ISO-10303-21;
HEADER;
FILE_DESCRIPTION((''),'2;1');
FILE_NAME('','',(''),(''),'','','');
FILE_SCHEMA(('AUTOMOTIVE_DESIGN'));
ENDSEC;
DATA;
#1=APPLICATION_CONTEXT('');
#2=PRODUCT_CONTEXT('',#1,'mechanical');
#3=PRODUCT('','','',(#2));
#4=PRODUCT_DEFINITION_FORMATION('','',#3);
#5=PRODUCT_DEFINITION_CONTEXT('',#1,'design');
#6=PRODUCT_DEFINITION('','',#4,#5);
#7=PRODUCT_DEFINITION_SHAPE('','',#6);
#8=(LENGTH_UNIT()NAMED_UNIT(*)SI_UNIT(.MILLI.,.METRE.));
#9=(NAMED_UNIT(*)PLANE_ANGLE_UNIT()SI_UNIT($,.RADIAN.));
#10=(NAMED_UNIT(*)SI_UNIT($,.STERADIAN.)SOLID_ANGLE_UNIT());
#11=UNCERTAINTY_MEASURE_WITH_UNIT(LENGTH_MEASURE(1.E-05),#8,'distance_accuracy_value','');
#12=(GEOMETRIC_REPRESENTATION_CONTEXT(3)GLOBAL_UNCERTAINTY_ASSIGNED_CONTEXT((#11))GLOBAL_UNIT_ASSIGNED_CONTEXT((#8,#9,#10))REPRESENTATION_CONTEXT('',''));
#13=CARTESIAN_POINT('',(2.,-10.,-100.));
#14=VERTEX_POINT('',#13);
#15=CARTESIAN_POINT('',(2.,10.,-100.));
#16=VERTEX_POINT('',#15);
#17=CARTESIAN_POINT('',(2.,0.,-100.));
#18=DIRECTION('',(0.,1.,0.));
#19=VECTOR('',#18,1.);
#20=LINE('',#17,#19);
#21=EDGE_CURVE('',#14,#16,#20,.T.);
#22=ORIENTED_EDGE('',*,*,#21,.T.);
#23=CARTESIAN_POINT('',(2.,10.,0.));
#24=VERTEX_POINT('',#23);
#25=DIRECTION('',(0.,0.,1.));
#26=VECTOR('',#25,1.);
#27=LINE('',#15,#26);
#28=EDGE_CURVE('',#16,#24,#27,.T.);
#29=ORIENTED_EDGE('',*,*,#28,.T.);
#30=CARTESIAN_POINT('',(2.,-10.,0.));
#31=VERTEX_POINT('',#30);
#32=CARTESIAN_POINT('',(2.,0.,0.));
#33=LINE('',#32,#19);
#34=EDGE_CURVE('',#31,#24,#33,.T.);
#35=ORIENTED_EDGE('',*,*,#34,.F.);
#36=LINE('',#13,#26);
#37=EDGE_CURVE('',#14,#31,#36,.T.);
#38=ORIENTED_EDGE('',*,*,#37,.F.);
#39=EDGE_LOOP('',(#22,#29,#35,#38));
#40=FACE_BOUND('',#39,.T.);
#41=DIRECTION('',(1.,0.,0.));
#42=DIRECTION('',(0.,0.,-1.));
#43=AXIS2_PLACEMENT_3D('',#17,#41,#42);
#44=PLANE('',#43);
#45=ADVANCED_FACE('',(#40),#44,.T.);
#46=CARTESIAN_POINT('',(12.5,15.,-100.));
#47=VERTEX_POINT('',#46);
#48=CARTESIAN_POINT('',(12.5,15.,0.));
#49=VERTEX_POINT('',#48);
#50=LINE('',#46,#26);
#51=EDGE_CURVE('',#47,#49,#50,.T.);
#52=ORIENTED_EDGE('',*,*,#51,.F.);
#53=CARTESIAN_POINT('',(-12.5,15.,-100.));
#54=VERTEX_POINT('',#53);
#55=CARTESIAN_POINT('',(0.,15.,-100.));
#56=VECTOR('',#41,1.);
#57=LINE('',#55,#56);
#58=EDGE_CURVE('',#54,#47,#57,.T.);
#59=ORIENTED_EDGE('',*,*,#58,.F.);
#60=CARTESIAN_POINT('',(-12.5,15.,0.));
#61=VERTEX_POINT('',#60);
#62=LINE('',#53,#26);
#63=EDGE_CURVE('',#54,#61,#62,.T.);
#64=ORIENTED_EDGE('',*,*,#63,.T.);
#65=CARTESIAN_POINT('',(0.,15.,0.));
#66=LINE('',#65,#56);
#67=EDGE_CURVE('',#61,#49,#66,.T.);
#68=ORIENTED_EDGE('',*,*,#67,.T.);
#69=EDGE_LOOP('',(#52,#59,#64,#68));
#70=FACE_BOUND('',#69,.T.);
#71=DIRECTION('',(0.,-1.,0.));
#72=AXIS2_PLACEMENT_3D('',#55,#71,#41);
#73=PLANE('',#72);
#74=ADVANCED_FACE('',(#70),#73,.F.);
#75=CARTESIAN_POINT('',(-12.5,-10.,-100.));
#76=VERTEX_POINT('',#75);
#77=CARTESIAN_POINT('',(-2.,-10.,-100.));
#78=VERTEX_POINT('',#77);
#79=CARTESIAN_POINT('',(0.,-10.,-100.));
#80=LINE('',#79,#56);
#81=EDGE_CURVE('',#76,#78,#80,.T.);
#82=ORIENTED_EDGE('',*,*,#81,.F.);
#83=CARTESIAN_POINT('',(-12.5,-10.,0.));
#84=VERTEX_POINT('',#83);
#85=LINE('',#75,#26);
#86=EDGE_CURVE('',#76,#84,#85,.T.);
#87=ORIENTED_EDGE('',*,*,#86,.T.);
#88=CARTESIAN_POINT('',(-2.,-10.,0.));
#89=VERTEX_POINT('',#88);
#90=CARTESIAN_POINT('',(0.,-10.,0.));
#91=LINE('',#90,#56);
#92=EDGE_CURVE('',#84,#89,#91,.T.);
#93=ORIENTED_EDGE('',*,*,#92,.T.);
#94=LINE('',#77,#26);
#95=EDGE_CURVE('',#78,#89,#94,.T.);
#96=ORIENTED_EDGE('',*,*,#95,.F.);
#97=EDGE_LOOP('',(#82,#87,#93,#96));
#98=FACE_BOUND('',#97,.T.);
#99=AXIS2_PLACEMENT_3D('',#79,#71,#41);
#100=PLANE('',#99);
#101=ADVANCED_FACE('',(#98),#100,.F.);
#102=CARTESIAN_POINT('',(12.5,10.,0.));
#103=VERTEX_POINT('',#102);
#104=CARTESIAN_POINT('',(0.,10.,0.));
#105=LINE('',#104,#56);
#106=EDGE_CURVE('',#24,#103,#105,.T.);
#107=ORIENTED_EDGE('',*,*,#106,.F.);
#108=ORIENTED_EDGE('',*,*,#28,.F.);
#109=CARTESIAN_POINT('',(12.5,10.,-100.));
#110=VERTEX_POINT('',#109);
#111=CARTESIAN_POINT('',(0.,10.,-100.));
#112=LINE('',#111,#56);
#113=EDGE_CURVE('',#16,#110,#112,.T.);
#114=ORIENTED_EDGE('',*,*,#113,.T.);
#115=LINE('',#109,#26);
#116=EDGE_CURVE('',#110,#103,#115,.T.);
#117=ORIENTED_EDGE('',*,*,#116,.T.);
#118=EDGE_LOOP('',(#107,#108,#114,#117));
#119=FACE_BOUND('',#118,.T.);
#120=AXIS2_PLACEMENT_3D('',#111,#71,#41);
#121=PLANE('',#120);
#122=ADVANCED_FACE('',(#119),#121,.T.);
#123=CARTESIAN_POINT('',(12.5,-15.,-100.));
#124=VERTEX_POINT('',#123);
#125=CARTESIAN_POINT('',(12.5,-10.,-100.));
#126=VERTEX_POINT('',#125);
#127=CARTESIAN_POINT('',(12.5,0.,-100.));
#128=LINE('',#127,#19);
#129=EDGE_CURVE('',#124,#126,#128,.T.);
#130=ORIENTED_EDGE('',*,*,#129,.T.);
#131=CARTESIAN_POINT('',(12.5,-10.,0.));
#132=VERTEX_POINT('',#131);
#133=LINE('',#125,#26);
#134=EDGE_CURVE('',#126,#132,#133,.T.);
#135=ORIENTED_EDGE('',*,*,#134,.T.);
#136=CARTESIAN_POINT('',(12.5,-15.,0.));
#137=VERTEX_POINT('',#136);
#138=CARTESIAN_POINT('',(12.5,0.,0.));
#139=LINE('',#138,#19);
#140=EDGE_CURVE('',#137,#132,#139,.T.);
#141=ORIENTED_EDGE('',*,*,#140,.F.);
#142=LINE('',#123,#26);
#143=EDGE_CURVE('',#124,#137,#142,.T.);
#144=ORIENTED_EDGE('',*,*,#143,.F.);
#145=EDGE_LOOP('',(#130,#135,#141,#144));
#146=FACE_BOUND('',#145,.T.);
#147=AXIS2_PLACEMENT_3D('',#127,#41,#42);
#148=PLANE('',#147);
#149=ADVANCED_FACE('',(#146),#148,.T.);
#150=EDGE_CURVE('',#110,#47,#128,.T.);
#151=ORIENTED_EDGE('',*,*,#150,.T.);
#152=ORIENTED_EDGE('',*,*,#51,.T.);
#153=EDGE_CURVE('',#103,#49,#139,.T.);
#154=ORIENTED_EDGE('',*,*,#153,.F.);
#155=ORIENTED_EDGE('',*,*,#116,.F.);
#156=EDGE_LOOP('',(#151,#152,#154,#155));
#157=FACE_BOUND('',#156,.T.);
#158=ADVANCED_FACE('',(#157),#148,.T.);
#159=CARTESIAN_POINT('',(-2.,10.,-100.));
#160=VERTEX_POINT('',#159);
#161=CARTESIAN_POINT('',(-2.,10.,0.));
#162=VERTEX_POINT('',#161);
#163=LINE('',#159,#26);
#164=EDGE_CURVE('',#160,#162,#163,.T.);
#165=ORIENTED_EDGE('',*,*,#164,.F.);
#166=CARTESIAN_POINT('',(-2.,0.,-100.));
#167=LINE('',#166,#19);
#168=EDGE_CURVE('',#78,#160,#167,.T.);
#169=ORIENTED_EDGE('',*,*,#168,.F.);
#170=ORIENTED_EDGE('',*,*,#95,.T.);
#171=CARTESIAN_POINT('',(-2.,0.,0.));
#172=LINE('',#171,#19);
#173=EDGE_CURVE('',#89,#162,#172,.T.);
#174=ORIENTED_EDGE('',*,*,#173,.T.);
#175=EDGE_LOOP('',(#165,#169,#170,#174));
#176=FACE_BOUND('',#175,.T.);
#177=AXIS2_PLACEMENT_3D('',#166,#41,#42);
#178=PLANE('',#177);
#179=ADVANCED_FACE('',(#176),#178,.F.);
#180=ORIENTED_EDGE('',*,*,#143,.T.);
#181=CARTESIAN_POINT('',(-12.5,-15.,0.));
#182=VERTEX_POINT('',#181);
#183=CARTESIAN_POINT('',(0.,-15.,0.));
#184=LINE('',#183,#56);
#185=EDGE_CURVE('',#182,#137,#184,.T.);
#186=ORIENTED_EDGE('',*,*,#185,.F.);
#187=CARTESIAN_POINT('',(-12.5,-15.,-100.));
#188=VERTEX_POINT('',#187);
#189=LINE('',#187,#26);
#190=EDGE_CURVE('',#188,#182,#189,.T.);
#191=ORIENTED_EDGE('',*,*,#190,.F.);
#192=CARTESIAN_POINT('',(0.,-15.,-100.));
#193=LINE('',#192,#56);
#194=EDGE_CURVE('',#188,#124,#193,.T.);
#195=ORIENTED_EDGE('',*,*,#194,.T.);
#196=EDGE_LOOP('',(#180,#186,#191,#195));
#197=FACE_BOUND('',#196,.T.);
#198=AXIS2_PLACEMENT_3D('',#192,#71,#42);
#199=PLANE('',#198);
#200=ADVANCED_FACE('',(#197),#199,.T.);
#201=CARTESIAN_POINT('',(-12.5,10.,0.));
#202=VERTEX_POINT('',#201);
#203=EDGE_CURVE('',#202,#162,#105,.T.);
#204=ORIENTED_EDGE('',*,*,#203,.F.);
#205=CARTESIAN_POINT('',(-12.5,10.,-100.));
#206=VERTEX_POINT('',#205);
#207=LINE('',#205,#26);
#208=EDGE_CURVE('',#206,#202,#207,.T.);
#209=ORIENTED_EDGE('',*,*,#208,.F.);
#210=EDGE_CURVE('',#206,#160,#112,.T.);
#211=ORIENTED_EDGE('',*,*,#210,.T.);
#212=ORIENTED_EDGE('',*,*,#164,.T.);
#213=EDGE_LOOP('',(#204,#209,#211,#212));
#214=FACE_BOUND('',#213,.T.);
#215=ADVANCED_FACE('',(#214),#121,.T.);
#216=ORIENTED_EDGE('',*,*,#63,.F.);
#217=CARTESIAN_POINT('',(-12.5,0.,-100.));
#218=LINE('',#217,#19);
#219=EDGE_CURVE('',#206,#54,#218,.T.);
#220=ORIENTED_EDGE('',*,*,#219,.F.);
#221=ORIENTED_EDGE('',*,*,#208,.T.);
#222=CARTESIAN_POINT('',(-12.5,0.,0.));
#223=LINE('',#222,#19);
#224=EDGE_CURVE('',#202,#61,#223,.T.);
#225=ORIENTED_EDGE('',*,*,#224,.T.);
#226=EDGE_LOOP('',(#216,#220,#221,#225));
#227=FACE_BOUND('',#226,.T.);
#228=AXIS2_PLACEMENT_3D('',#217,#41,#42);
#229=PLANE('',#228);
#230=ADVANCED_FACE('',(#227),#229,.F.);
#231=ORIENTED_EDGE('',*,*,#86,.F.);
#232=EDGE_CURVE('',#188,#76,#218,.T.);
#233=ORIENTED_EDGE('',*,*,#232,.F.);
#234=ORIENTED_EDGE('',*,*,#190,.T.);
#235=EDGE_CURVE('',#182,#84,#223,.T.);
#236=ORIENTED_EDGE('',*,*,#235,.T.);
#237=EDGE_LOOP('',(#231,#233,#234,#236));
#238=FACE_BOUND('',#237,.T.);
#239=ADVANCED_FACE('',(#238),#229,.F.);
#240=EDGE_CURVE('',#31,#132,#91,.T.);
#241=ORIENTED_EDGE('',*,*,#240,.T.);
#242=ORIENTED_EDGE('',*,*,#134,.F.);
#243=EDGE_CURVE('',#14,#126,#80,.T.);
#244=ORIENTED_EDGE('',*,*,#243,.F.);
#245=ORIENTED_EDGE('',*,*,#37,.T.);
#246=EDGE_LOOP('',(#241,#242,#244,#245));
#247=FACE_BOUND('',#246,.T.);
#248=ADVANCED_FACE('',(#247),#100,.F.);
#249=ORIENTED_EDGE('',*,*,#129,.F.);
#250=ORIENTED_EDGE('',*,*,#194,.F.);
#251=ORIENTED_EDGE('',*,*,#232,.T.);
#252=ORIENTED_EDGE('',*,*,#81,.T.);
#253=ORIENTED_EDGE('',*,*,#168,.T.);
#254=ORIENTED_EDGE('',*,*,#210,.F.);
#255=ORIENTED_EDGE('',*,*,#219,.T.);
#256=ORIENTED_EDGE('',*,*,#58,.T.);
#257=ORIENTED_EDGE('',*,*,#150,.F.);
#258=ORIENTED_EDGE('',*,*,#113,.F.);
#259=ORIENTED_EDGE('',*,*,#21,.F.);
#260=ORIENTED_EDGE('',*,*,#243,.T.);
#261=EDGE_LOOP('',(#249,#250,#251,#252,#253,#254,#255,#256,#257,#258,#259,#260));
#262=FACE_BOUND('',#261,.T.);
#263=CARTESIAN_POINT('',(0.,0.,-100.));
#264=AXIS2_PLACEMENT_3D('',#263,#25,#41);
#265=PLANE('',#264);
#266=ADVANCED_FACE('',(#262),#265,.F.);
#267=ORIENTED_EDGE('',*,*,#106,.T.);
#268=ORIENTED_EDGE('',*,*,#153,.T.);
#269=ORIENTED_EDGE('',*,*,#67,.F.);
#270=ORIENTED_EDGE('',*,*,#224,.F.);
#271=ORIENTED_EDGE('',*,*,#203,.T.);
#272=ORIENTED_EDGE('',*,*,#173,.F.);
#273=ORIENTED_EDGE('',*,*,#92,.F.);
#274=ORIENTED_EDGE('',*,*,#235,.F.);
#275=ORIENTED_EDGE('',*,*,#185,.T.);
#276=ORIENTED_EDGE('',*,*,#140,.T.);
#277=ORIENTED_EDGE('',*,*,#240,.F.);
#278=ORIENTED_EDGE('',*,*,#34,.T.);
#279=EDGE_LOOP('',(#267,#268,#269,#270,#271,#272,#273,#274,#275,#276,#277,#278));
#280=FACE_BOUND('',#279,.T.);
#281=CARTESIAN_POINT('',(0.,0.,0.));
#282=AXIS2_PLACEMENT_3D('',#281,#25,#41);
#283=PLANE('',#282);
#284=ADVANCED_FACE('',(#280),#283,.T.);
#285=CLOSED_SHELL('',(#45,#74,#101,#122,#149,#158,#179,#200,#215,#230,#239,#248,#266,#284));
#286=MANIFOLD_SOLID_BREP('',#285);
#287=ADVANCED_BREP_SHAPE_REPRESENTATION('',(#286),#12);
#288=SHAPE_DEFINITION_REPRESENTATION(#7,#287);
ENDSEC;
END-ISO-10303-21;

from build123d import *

# Parameters (mm, degrees)
SKETCH1_W           = 4
SKETCH1_H           = 20
BOSS_EXTRUDE1_DEPTH = 100


with BuildPart() as part:
    # Sketch1 → Boss-Extrude1 (new body)
    with BuildSketch(Plane.XY):
        Polygon((-12.5, 15), (-12.5, 10), (-2, 10), (2, 10), (12.5, 10), (12.5, 15), align=None)
        Rectangle(SKETCH1_W, SKETCH1_H)
        Polygon((-12.5, -10), (-12.5, -15), (12.5, -15), (12.5, -10), (2, -10), (-2, -10), align=None)
    extrude(amount=-BOSS_EXTRUDE1_DEPTH)


solid = part.part
